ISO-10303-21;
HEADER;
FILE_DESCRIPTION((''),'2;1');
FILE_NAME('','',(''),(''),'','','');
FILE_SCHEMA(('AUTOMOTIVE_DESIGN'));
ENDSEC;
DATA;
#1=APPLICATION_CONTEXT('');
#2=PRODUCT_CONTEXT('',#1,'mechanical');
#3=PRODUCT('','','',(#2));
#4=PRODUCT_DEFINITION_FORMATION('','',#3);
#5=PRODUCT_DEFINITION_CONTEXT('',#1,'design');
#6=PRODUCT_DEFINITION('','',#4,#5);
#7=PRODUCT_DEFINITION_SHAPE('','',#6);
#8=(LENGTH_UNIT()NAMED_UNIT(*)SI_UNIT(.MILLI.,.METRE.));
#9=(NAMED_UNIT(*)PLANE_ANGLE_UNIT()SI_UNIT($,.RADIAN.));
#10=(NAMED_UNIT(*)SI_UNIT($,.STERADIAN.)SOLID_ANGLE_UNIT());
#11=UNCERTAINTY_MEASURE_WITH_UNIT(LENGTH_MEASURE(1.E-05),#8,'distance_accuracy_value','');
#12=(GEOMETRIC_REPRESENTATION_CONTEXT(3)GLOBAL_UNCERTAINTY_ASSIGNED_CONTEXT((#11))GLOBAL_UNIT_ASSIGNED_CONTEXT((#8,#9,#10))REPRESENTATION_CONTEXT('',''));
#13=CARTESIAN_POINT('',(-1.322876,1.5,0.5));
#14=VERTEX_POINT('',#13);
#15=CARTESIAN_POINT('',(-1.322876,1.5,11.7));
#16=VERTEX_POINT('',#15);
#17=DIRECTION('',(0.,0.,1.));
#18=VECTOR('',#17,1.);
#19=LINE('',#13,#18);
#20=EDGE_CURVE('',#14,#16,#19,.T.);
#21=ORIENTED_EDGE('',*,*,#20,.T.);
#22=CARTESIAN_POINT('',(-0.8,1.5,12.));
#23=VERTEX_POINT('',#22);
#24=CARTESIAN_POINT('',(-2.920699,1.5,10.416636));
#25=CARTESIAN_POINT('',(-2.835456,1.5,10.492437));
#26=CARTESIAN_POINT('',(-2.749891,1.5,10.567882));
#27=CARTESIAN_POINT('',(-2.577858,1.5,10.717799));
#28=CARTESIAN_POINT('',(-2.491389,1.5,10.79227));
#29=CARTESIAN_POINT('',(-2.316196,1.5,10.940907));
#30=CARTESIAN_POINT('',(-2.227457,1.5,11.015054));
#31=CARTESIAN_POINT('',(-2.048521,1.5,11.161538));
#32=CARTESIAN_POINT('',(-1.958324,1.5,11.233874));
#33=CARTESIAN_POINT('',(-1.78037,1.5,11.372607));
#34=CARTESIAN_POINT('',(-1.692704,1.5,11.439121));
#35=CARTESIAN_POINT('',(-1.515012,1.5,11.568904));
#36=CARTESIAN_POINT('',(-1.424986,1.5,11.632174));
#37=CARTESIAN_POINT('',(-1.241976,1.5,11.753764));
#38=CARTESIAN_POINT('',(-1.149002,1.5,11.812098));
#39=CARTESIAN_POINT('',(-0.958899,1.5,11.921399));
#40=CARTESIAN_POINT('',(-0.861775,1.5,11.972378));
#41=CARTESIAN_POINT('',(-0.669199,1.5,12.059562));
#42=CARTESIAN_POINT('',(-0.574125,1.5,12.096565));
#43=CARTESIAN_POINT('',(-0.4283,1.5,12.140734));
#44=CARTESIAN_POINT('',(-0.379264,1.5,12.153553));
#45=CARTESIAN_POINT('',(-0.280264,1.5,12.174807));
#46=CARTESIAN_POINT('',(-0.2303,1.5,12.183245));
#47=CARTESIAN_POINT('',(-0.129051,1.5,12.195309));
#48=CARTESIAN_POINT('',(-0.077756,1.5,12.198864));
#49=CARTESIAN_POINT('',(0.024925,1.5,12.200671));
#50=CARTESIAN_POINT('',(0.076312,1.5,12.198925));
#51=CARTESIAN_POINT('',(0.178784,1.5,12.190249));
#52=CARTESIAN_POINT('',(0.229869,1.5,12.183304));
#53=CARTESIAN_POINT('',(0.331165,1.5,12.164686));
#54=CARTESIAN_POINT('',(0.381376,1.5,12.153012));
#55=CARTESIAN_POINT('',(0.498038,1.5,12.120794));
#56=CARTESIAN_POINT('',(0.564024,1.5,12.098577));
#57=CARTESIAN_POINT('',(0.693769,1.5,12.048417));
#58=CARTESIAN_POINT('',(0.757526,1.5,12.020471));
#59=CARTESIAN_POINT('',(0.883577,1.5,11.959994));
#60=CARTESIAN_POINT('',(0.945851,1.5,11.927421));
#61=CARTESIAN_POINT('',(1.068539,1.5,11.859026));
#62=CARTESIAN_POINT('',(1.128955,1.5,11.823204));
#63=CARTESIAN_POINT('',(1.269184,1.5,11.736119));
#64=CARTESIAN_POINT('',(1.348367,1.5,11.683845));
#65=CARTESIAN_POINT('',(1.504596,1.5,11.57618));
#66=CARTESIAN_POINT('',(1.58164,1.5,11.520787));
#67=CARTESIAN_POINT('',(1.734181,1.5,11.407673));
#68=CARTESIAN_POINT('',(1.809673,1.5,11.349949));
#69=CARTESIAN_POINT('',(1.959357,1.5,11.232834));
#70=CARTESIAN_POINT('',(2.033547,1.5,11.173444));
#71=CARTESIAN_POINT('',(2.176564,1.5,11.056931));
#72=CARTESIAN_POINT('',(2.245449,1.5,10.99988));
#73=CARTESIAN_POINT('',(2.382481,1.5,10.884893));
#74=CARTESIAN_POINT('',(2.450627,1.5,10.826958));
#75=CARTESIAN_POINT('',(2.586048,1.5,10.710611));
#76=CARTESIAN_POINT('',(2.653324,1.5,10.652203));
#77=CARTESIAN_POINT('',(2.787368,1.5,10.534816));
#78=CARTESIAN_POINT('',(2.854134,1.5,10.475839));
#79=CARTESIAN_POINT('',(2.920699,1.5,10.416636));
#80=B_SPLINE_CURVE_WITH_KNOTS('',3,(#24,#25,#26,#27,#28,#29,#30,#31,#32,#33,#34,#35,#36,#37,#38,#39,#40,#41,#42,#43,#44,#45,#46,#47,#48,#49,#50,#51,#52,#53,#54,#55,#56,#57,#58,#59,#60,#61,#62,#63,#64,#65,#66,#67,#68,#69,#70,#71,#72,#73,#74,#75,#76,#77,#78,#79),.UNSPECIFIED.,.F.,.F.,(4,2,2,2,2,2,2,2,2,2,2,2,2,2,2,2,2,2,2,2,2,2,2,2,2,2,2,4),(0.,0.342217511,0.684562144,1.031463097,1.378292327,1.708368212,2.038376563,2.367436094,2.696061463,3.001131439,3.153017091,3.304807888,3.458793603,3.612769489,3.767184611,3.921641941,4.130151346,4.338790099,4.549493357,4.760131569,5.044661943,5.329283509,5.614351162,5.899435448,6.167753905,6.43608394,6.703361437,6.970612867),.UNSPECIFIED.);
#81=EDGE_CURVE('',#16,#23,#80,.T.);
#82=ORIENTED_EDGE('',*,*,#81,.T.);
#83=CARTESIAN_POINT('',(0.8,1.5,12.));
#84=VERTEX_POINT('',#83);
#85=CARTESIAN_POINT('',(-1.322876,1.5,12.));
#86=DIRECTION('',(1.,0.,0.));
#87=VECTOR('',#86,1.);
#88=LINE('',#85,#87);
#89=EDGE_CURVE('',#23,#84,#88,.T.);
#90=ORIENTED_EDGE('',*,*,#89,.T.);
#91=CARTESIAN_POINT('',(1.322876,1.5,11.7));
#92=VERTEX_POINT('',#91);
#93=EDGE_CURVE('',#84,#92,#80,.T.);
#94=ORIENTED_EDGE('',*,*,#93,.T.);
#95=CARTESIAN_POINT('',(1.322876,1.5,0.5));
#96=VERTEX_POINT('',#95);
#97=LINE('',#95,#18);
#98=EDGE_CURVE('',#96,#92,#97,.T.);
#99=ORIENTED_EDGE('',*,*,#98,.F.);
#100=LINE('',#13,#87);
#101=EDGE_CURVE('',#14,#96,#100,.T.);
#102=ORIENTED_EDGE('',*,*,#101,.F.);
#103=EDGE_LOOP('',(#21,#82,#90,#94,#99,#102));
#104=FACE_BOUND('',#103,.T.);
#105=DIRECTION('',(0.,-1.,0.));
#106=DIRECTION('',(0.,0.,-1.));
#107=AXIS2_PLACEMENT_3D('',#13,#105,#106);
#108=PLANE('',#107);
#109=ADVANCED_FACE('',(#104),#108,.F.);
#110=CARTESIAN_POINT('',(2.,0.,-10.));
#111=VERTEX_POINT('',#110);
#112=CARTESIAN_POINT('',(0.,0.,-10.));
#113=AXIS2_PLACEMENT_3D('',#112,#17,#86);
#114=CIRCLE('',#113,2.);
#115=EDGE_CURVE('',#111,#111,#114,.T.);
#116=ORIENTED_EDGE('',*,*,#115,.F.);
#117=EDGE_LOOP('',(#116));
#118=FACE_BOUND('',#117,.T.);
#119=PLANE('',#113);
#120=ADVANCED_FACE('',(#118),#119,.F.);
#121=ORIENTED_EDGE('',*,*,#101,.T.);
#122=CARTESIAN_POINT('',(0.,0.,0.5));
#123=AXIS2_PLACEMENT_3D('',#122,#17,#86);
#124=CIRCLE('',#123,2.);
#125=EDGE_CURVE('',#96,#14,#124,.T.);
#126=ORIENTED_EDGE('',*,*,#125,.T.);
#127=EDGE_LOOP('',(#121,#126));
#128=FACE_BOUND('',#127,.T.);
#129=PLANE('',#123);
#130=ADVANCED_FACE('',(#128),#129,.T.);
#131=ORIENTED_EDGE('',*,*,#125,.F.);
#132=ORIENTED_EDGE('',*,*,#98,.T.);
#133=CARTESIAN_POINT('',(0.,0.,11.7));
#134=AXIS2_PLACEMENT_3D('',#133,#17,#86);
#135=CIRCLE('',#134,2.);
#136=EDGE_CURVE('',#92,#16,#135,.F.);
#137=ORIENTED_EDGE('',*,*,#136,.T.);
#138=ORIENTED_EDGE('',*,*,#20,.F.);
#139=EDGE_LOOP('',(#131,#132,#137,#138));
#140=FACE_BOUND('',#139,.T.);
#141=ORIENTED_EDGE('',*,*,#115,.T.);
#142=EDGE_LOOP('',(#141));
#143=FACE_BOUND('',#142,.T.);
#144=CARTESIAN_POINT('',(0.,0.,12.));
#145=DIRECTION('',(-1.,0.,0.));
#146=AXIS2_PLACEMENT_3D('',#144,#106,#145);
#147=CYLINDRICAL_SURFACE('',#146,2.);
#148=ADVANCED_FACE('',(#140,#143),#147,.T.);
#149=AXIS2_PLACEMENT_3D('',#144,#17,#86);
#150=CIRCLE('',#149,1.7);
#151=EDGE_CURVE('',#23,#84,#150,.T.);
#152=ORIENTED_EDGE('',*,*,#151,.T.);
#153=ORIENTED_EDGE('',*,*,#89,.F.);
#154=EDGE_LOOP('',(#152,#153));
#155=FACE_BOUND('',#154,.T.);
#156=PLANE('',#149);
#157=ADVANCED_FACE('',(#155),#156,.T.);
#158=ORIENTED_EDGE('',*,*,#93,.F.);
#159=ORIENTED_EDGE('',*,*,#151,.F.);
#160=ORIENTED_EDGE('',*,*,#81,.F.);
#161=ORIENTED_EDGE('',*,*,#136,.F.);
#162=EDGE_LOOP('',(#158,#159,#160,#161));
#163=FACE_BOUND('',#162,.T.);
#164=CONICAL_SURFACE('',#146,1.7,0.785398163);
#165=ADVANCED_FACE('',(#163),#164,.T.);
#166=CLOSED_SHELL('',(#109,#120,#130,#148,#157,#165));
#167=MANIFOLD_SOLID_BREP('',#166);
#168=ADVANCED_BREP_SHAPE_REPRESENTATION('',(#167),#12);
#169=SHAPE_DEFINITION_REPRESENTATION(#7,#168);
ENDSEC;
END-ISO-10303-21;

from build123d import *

# Parameters (mm, degrees)
ESQUISSE1_R             = 2
BOSS_EXTRU_1_DEPTH      = 12
BOSS_EXTRU_1_DEPTH_BACK = 10
CHANFREIN1_SIZE         = 0.3
ESQUISSE2_W             = 2.645751312
ESQUISSE2_H             = 0.5
ENL_V_MAT_EXTRU_1_DEPTH = 11.5


with BuildPart() as part:
    # Esquisse1 → Boss.-Extru.1 (new body, two sides)
    with BuildSketch(Plane.XY) as boss_extru_1_sk:
        Circle(ESQUISSE1_R)
    extrude(amount=BOSS_EXTRU_1_DEPTH)
    extrude(boss_extru_1_sk.sketch, amount=-BOSS_EXTRU_1_DEPTH_BACK)

    # Chanfrein1
    chanfrein1_edges = [part.edges().sort_by_distance(p)[0] for p in [
        (-2, 0, 12),
    ]]
    chamfer(chanfrein1_edges, length=CHANFREIN1_SIZE)

    # Esquisse2 → Enlèv. mat.-Extru.1 (cut)
    with BuildSketch(Plane.XY.offset(12)):
        with Locations((0, 1.75)):
            Rectangle(ESQUISSE2_W, ESQUISSE2_H)
    extrude(amount=-ENL_V_MAT_EXTRU_1_DEPTH, mode=Mode.SUBTRACT)


solid = part.part
